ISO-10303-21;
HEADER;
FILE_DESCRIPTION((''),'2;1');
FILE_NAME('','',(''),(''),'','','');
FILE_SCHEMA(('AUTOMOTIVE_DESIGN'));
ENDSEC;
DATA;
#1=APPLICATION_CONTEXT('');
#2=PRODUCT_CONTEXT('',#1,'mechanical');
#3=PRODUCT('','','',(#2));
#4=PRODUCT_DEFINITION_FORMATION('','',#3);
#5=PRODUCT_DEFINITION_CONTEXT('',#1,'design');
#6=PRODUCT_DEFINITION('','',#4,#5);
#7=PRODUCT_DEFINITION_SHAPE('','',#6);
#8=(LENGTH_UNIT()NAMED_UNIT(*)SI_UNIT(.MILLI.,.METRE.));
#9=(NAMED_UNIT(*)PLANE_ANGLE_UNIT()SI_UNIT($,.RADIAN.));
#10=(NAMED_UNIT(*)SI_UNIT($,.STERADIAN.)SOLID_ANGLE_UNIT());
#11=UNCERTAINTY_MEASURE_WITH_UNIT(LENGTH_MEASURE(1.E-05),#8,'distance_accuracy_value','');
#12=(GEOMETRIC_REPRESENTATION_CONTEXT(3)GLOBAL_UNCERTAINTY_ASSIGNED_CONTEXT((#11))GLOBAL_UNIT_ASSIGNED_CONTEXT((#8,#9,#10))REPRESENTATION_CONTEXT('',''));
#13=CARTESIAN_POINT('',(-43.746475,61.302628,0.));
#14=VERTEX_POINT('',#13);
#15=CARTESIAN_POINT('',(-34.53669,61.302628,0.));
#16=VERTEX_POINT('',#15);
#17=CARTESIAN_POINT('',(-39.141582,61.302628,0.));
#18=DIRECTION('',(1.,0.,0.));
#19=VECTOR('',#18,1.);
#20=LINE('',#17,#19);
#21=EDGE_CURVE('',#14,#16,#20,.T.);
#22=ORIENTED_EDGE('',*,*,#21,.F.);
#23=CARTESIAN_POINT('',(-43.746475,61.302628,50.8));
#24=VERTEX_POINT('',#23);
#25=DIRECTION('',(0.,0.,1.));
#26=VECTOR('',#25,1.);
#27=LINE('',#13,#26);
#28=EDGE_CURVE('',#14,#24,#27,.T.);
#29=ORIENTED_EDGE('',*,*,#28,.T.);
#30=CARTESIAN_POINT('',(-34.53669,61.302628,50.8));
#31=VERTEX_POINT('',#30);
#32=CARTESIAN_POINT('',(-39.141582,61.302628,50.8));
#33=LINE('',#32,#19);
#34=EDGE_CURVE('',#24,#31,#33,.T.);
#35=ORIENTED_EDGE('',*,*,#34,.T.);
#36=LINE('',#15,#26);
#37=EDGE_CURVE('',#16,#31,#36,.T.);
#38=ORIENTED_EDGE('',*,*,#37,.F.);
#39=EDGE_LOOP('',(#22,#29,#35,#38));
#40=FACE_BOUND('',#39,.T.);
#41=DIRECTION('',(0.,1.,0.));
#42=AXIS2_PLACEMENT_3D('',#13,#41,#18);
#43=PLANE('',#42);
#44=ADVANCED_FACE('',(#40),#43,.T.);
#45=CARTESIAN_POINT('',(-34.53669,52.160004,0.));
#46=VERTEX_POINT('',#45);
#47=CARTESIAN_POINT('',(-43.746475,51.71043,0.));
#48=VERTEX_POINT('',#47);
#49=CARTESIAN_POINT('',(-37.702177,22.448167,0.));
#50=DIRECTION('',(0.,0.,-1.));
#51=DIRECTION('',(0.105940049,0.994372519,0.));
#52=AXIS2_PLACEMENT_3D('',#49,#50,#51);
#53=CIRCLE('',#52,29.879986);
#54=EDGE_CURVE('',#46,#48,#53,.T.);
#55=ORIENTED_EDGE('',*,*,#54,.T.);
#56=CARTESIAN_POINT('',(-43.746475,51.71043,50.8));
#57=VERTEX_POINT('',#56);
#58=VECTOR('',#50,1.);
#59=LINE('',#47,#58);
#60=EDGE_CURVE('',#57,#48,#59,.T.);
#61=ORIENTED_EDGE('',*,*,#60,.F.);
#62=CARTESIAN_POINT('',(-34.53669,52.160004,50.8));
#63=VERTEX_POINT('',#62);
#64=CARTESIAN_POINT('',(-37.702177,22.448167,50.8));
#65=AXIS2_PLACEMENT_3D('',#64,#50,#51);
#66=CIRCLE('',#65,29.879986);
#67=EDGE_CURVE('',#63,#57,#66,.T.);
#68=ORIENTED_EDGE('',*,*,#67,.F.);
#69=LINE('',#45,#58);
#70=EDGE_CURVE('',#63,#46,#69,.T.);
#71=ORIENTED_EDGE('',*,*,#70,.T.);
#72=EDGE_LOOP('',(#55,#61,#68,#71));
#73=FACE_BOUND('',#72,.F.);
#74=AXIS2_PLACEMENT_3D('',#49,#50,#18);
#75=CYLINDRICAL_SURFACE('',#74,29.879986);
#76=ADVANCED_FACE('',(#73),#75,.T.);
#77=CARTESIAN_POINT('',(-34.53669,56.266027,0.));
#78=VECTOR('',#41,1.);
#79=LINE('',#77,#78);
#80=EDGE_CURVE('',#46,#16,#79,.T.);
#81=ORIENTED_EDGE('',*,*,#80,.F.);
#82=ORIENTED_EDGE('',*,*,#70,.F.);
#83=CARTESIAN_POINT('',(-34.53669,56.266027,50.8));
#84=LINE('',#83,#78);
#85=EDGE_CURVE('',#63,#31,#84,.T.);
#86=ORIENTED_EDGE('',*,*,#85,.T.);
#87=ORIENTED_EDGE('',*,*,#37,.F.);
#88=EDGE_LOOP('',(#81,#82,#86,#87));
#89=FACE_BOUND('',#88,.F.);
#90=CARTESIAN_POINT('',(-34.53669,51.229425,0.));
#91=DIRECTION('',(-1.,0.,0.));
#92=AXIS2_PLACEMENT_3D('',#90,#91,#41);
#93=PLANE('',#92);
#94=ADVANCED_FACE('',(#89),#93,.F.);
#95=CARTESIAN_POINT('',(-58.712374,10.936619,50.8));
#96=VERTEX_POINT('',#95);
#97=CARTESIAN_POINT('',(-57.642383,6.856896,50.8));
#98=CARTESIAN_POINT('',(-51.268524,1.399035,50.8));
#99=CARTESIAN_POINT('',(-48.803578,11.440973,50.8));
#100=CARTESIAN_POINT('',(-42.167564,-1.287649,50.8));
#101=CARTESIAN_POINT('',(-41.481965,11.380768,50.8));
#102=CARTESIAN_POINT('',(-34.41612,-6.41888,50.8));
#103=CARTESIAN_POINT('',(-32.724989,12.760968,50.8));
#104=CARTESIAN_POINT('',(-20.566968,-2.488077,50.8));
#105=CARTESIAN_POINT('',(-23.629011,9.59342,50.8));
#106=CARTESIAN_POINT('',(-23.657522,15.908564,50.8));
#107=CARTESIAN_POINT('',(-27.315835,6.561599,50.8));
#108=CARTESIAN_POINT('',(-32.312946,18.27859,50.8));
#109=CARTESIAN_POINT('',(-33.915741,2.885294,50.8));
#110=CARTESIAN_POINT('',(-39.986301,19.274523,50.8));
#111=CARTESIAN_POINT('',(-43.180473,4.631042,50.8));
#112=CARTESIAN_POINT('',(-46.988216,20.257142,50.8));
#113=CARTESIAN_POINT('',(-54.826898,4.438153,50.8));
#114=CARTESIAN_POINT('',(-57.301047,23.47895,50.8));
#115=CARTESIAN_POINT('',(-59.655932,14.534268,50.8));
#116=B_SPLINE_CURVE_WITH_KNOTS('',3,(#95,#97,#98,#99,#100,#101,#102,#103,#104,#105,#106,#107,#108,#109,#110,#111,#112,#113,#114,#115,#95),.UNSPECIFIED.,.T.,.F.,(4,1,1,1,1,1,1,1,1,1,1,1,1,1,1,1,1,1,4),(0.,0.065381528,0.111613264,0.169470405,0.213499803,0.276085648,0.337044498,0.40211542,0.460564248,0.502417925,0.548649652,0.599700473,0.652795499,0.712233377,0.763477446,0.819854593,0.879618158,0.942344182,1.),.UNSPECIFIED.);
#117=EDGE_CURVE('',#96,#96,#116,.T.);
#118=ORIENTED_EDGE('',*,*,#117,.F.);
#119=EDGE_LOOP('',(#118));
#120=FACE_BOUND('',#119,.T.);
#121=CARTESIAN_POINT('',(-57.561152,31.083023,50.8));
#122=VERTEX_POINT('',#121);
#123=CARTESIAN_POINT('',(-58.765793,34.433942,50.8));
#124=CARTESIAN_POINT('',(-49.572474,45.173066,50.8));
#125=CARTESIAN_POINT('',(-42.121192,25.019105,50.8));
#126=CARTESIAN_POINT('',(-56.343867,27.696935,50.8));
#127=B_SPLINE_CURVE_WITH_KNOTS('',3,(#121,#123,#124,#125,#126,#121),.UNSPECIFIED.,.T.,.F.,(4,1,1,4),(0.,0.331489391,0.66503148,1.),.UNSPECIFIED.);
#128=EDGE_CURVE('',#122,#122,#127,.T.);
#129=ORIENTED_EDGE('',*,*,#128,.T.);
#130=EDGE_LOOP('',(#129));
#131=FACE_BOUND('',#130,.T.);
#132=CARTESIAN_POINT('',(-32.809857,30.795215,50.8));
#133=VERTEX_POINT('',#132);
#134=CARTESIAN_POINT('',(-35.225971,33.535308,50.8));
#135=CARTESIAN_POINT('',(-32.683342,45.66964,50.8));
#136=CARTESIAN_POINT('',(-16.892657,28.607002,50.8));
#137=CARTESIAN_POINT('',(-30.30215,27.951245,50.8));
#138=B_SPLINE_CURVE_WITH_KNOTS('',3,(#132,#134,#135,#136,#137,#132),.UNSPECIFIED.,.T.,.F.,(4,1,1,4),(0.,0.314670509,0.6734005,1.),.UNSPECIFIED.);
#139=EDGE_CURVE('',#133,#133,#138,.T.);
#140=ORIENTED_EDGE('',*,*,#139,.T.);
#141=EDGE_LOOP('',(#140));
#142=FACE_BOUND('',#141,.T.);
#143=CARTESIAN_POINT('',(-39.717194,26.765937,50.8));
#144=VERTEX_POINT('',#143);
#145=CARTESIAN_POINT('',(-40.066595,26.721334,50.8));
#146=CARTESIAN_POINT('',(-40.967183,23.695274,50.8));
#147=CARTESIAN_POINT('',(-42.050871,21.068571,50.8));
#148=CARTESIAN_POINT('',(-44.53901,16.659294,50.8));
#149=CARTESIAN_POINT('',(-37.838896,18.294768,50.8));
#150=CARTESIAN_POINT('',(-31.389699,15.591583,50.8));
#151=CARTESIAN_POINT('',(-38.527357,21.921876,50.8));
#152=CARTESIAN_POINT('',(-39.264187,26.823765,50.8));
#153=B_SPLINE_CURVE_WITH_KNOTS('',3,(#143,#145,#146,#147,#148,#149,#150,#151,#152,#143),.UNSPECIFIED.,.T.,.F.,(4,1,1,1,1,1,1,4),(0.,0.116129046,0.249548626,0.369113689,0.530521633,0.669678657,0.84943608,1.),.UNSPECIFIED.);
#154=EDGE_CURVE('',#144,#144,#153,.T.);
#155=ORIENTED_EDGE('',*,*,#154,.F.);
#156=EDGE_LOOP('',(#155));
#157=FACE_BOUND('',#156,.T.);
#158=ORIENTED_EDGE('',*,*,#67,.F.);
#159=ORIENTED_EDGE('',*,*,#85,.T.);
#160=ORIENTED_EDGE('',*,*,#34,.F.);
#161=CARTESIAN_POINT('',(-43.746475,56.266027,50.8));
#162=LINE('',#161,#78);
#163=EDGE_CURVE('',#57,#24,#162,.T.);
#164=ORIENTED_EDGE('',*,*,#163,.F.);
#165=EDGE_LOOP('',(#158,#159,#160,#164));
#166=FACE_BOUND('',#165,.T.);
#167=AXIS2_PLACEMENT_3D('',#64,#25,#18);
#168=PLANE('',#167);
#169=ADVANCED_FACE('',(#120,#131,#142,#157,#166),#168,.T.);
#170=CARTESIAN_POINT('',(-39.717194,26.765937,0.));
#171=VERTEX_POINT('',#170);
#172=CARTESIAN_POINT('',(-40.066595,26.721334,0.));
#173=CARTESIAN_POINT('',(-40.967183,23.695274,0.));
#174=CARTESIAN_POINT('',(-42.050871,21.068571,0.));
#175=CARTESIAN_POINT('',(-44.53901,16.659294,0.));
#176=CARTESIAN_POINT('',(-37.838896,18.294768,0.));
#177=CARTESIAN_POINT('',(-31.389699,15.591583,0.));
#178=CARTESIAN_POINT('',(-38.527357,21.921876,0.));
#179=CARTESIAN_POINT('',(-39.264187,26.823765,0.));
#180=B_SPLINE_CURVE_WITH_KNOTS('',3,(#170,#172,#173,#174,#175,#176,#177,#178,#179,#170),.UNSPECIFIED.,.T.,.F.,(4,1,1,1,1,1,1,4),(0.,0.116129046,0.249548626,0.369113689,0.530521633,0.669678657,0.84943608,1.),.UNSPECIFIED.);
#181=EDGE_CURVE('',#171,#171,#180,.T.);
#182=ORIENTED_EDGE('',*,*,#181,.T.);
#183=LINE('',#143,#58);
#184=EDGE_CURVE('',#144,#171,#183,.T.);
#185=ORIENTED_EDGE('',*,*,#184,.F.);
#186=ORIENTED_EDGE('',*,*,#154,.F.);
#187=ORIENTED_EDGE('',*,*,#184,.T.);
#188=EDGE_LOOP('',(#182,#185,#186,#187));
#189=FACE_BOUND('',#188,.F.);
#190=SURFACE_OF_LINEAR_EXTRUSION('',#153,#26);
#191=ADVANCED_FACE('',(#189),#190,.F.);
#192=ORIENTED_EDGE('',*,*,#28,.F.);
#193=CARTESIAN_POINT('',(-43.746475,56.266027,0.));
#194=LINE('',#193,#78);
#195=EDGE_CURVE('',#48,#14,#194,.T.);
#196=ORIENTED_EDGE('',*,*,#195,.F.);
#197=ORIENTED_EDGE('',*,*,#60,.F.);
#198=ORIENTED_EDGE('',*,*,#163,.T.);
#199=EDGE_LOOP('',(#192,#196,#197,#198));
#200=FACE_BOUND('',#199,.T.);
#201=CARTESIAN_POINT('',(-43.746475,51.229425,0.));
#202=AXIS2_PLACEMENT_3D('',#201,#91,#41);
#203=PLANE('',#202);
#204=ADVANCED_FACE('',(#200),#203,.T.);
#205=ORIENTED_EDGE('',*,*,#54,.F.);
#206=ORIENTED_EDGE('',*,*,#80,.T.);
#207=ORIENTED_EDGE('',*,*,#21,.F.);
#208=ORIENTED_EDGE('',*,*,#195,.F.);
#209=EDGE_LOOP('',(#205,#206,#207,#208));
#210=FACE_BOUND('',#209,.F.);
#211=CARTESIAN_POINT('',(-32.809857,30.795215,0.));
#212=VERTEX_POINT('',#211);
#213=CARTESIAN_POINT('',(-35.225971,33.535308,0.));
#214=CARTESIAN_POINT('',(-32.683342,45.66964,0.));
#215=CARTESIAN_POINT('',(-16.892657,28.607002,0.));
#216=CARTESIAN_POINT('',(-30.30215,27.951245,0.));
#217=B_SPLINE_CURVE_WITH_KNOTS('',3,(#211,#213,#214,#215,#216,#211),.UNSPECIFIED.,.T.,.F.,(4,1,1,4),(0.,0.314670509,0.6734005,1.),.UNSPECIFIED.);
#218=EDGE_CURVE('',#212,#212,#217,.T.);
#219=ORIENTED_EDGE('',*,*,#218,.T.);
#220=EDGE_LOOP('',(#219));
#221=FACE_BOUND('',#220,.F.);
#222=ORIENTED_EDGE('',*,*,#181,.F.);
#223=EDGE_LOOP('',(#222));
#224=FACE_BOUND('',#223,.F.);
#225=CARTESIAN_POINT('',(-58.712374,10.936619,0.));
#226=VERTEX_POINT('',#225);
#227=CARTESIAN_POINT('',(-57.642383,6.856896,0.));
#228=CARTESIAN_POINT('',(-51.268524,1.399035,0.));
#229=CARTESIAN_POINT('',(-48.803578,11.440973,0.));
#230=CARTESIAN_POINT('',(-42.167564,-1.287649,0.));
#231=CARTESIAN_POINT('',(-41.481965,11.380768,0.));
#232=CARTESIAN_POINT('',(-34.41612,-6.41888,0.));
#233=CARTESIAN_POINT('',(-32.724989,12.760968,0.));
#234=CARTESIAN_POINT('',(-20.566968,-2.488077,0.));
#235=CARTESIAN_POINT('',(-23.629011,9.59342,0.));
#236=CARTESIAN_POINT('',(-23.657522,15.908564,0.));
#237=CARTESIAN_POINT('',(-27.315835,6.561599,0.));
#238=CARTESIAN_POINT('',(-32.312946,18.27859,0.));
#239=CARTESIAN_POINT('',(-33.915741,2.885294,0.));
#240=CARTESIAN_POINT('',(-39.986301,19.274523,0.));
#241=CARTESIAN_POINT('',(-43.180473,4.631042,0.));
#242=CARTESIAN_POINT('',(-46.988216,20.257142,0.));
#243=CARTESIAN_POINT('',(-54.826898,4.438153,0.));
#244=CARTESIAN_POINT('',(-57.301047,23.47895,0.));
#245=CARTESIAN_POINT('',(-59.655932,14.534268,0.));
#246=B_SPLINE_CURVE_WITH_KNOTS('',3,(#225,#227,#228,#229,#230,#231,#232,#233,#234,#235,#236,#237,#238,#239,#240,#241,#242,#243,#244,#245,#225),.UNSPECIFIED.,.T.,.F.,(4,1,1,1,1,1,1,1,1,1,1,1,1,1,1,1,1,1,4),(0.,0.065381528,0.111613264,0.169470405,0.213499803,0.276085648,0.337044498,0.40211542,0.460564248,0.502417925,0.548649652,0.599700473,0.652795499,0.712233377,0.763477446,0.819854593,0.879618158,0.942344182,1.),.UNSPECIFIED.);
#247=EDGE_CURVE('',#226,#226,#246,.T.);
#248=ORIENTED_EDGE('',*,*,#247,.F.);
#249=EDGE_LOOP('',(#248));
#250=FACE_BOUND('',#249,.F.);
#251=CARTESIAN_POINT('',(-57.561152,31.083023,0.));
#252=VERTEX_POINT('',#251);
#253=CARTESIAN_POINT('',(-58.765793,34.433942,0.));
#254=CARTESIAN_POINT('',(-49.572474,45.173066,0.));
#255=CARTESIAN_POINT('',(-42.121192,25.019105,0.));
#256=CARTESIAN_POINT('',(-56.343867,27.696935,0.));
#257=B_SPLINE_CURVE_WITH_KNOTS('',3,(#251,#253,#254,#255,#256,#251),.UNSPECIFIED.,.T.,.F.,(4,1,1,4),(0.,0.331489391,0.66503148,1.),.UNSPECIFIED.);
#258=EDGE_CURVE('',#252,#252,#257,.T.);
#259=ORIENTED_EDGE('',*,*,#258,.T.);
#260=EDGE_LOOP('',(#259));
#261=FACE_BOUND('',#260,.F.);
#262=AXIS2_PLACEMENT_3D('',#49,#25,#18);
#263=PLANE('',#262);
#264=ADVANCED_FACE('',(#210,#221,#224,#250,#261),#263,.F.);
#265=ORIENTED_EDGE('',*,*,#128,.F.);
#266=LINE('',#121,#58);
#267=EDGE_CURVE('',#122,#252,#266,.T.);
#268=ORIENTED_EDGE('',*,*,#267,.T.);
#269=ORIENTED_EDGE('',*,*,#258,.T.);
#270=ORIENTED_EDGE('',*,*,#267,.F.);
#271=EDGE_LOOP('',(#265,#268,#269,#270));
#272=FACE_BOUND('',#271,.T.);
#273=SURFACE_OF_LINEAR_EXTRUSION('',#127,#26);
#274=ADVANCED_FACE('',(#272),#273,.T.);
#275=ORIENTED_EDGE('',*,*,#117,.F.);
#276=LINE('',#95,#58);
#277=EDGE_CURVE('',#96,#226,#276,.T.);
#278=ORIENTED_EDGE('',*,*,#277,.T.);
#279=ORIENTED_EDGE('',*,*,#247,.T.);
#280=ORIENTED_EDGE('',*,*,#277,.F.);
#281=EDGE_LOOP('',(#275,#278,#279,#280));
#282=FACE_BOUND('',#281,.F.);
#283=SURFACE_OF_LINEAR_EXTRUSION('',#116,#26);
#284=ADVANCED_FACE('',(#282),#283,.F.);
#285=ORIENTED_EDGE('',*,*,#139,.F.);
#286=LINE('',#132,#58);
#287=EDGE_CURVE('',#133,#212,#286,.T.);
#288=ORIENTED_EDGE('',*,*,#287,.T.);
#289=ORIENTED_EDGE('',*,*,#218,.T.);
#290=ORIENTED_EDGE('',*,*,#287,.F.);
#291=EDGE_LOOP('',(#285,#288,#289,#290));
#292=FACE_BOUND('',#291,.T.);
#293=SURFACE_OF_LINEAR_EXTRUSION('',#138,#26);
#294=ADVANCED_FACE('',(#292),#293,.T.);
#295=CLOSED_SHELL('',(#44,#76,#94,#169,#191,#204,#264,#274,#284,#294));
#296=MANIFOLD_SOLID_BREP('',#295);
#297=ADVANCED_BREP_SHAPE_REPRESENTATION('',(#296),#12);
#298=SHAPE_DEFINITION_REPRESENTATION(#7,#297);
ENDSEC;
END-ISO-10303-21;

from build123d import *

# Parameters (mm, degrees)
F0_R      = 29.8799862716
F1_DEPTH  = 50.8
F3_DEPTH  = 50.8
F5_DEPTH  = 50.8
F7_DEPTH  = 50.8
F9_DEPTH  = 50.8
F10_W     = 9.2097856104
F10_H     = 10.0732035935
F11_DEPTH = 50.8


with BuildPart() as f1:
    # F0 (on Top) → F1 (new body)
    with BuildSketch(Plane.XY):
        with Locations((-37.7021767199, 22.4481672049)):
            Circle(F0_R)
    extrude(amount=F1_DEPTH)

    # F2 (on face) → F3 (cut)
    with BuildSketch(Plane.XY.offset(50.8)):
        with BuildLine():
            add(Edge.make_bspline(
                [(-32.8098572791, 30.7952146977), (-35.2259711759, 33.535308463), (-32.6833420826, 45.6696395994), (-16.8926569371, 28.6070024017), (-30.3021497926, 27.9512454388), (-32.8098572791, 30.7952146977)],
                knots=[0, 0, 0, 0, 0.3146705089, 0.6734004999, 1, 1, 1, 1], degree=3))
        make_face()
    extrude(amount=-F3_DEPTH, mode=Mode.SUBTRACT)

    # F4 (on face) → F5 (cut)
    with BuildSketch(Plane.XY.offset(50.8)):
        with BuildLine():
            add(Edge.make_bspline(
                [(-57.5611516833, 31.0830231756), (-58.7657929474, 34.4339416549), (-49.5724739059, 45.1730663109), (-42.1211921595, 25.0191050736), (-56.3438671732, 27.6969353159), (-57.5611516833, 31.0830231756)],
                knots=[0, 0, 0, 0, 0.3314893913, 0.6650314801, 1, 1, 1, 1], degree=3))
        make_face()
    extrude(amount=-F5_DEPTH, mode=Mode.SUBTRACT)

    # F6 (on face) → F7 (cut)
    with BuildSketch(Plane.XY.offset(50.8)):
        with BuildLine():
            add(Edge.make_bspline(
                [(-39.7171936929, 26.7659369856), (-40.0665949811, 26.7213342541), (-40.9671826168, 23.6952742904), (-42.0508708344, 21.0685713388), (-44.539010086, 16.6592938834), (-37.8388958096, 18.2947679202), (-31.3896992895, 15.591583373), (-38.5273569091, 21.9218764152), (-39.2641870666, 26.8237654299), (-39.7171936929, 26.7659369856)],
                knots=[0, 0, 0, 0, 0.1161290462, 0.2495486259, 0.3691136887, 0.5305216334, 0.6696786568, 0.8494360805, 1, 1, 1, 1], degree=3))
        make_face()
    extrude(amount=-F7_DEPTH, mode=Mode.SUBTRACT)

    # F8 (on face) → F9 (cut)
    with BuildSketch(Plane.XY.offset(50.8)):
        with BuildLine():
            add(Edge.make_bspline(
                [(-58.712374419, 10.9366187826), (-57.6423825085, 6.8568957173), (-51.2685237146, 1.399034843), (-48.8035784686, 11.4409728422), (-42.1675639989, -1.2876486812), (-41.4819653211, 11.3807683158), (-34.4161202522, -6.4188804834), (-32.7249885495, 12.7609678896), (-20.5669681621, -2.4880772532), (-23.6290109283, 9.593420348), (-23.6575218407, 15.9085635302), (-27.3158352396, 6.5615987367), (-32.3129463278, 18.2785895738), (-33.9157411332, 2.885293951), (-39.9863010812, 19.2745230898), (-43.1804727354, 4.6310417676), (-46.9882161265, 20.2571421246), (-54.8268980291, 4.4381528373), (-57.3010468401, 23.4789496863), (-59.6559323475, 14.5342675188), (-58.712374419, 10.9366187826)],
                knots=[0, 0, 0, 0, 0.0653815281, 0.1116132644, 0.1694704049, 0.2134998027, 0.2760856481, 0.3370444978, 0.4021154204, 0.4605642485, 0.5024179255, 0.5486496516, 0.5997004734, 0.6527954994, 0.7122333771, 0.7634774458, 0.8198545929, 0.8796181581, 0.9423441816, 1, 1, 1, 1], degree=3))
        make_face()
    extrude(amount=-F9_DEPTH, mode=Mode.SUBTRACT)

    # F10 (on Top) → F11 (join)
    with BuildSketch(Plane.XY):
        with Locations((-39.1415823251, 56.2660265714)):
            Rectangle(F10_W, F10_H)
    extrude(amount=F11_DEPTH)


solid = f1.part
